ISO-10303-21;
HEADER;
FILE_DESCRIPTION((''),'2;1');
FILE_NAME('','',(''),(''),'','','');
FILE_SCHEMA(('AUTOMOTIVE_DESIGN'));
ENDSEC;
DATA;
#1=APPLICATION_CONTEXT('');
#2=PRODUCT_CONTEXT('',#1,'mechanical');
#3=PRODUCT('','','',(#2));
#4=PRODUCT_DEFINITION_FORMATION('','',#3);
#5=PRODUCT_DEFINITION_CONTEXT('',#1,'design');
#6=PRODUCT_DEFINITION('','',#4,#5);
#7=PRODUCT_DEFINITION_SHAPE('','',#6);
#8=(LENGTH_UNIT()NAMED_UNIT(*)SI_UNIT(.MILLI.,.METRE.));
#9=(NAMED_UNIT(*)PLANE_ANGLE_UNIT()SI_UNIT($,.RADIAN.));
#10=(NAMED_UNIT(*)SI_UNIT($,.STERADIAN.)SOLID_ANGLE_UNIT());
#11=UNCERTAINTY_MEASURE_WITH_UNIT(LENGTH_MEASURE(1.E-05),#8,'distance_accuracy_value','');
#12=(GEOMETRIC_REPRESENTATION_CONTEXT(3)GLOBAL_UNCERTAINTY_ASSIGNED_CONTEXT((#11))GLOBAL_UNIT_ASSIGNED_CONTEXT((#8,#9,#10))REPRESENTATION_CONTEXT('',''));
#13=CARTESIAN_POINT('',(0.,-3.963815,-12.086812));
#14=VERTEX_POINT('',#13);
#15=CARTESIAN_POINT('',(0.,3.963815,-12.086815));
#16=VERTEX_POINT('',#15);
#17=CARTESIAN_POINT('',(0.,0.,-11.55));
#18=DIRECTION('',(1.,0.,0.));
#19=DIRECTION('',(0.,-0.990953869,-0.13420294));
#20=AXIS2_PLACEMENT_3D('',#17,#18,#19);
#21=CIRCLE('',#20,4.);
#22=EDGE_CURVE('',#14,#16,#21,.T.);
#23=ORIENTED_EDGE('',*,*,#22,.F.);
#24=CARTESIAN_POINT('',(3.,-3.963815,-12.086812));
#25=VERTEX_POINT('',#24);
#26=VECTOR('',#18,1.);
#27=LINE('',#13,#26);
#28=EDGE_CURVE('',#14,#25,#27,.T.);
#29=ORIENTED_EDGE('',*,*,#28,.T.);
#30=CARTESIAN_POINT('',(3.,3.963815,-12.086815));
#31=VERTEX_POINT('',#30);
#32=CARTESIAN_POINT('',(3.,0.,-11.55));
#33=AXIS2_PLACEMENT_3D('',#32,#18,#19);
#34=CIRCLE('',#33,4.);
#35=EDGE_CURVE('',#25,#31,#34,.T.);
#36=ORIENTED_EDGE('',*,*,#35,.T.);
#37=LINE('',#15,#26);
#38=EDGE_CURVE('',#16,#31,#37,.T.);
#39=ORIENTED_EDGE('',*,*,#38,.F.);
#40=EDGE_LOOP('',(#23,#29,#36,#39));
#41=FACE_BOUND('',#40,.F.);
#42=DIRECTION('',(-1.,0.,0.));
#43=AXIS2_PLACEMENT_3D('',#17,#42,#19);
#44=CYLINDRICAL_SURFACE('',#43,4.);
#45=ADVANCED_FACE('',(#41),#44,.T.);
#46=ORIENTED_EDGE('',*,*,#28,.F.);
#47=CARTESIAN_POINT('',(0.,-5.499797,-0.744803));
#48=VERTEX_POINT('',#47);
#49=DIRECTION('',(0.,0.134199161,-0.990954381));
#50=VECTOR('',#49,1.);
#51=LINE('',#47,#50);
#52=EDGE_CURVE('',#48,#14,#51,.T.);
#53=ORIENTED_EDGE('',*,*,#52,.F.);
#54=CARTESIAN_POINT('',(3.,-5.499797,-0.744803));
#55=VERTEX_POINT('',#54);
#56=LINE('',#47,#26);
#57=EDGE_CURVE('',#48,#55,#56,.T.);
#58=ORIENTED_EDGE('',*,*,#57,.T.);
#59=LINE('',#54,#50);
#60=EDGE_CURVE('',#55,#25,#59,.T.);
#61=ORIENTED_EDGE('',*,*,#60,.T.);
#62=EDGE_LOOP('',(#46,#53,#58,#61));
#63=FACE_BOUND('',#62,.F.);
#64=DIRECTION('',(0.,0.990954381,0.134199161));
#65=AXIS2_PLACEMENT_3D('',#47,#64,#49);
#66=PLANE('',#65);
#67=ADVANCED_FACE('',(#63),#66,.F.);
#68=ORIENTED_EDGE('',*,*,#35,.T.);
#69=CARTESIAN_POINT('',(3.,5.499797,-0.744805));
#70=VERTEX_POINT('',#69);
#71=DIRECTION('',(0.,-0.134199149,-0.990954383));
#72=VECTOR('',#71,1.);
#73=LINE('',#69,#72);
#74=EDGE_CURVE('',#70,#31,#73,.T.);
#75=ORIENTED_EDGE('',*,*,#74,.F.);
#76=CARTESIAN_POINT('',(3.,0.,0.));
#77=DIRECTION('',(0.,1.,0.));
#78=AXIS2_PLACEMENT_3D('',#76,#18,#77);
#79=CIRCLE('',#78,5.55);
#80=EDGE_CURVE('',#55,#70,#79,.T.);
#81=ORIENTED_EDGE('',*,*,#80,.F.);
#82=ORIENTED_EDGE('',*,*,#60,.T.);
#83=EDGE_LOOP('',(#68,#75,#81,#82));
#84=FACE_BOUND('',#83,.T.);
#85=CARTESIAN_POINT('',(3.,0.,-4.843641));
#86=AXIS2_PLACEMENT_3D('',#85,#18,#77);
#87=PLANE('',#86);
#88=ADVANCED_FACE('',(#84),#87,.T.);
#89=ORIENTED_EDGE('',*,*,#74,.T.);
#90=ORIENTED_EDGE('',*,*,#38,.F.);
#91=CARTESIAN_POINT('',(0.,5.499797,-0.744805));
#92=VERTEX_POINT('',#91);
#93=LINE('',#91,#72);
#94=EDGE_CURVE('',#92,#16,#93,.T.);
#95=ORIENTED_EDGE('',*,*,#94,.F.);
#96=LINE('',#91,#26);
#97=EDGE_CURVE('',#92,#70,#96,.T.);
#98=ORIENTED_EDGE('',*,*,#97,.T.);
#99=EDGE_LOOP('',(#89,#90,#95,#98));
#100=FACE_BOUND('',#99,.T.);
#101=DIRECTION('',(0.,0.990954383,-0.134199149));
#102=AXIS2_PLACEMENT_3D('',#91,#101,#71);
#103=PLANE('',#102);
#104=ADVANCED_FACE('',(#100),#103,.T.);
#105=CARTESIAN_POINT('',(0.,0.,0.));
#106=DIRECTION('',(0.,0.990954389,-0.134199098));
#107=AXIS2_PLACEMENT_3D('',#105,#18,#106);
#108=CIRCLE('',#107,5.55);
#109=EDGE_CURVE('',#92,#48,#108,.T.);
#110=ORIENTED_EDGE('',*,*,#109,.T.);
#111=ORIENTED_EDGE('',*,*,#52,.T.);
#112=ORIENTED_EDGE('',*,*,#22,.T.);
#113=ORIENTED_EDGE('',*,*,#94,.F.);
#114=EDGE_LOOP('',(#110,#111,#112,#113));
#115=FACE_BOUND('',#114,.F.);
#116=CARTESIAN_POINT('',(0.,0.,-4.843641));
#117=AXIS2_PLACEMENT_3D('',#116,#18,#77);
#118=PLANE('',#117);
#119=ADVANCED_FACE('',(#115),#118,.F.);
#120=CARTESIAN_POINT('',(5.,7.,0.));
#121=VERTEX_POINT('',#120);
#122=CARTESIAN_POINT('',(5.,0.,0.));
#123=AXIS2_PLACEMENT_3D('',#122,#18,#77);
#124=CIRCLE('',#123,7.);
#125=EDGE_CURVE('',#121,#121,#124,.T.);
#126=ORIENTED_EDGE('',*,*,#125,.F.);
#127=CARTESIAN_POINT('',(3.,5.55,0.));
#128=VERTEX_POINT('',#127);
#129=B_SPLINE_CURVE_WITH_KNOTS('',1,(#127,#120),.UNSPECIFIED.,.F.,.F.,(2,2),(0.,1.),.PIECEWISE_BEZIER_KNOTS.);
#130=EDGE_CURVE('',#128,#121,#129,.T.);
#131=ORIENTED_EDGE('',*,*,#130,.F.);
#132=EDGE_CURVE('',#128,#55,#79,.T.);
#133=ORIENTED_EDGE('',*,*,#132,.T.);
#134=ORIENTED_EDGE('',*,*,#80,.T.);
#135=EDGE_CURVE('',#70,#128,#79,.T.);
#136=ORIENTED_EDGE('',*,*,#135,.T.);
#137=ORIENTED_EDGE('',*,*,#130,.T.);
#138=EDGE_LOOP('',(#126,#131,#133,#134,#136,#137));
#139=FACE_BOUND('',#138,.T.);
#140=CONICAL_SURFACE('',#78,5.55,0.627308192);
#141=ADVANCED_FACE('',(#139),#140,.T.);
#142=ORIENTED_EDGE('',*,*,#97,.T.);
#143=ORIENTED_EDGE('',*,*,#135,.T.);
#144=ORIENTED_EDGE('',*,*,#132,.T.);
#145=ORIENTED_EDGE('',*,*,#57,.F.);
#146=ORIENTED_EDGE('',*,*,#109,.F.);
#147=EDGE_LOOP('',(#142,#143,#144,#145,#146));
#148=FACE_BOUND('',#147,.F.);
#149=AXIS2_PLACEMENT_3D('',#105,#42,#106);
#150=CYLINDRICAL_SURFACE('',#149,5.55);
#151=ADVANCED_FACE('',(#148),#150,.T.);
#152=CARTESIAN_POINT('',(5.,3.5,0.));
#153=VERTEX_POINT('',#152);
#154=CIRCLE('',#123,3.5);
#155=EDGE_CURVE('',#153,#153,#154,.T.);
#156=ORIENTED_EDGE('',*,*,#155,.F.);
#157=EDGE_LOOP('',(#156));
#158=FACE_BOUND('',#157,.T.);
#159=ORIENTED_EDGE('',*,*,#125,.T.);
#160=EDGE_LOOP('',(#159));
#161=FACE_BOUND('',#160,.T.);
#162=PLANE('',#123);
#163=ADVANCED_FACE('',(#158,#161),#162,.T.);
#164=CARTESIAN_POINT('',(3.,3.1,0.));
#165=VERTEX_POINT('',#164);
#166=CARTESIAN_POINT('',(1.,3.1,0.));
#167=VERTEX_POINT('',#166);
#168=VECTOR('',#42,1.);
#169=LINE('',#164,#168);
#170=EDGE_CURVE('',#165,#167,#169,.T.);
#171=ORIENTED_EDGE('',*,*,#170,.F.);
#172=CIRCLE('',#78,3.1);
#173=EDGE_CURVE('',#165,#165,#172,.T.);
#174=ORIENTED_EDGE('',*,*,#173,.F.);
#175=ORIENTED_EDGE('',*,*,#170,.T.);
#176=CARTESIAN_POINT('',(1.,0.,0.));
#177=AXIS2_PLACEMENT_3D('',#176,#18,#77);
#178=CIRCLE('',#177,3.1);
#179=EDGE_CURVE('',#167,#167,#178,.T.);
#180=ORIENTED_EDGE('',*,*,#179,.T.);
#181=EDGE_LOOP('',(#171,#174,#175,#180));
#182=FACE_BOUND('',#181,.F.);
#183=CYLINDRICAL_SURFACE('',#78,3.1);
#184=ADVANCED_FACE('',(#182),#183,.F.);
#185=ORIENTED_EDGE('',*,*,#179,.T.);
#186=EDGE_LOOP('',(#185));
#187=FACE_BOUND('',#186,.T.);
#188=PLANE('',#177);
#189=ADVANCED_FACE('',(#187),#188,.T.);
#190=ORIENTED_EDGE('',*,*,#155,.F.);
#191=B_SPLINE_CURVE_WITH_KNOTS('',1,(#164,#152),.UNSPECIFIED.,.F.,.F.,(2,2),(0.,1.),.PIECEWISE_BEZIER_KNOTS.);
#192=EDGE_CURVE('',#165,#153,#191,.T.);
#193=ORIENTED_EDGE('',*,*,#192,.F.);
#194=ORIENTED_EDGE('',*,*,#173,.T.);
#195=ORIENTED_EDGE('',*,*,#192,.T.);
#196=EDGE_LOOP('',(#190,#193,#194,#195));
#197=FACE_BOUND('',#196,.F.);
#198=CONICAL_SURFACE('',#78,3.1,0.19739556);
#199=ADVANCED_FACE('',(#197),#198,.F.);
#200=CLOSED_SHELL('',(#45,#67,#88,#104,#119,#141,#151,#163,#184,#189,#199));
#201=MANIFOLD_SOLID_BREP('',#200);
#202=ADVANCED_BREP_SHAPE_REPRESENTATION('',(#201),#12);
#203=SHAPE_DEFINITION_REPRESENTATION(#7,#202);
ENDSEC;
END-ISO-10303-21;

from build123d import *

# Parameters (mm, degrees)
PAD_DEPTH    = 3
SKETCH001_R  = 3.1
POCKET_DEPTH = 2
SKETCH004_R  = 3.1
SKETCH005_R  = 3.5
SKETCH002_R  = 5.55
SKETCH003_R  = 7


with BuildPart() as tasche_magnet:
    # Sketch → Pad (new body)
    with BuildSketch(Plane.YZ):
        with BuildLine():
            ThreePointArc((5.499797, -0.744805), (1e-06, 5.55), (-5.499797, -0.744803))
            Line((-5.499797, -0.744803), (-3.963815, -12.086812))
            ThreePointArc((-3.963815, -12.086812), (-1e-06, -15.55), (3.963815, -12.086815))
            Line((5.499797, -0.744805), (3.963815, -12.086815))
        make_face()
    extrude(amount=PAD_DEPTH)

    # Sketch001 → Pocket (cut)
    with BuildSketch(Plane.YZ.offset(3)):
        Circle(SKETCH001_R)
    extrude(amount=-POCKET_DEPTH, mode=Mode.SUBTRACT)


with BuildPart() as loft001:
    # Sketch004 → Loft001 section 0
    with BuildSketch(Plane.YZ.offset(3)):
        Circle(SKETCH004_R)
    # Sketch005 → Loft001 section 1
    with BuildSketch(Plane.YZ.offset(5)):
        Circle(SKETCH005_R)
    loft()


with BuildPart() as fusion:
    # Sketch002 → Loft section 0
    with BuildSketch(Plane.YZ.offset(3)):
        Circle(SKETCH002_R)
    # Sketch003 → Loft section 1
    with BuildSketch(Plane.YZ.offset(5)):
        Circle(SKETCH003_R)
    loft()

    # Cut: cut Loft001
    add(loft001.part, mode=Mode.SUBTRACT)

    # Fusion: union Tasche Magnet
    add(tasche_magnet.part)


solid = fusion.part
